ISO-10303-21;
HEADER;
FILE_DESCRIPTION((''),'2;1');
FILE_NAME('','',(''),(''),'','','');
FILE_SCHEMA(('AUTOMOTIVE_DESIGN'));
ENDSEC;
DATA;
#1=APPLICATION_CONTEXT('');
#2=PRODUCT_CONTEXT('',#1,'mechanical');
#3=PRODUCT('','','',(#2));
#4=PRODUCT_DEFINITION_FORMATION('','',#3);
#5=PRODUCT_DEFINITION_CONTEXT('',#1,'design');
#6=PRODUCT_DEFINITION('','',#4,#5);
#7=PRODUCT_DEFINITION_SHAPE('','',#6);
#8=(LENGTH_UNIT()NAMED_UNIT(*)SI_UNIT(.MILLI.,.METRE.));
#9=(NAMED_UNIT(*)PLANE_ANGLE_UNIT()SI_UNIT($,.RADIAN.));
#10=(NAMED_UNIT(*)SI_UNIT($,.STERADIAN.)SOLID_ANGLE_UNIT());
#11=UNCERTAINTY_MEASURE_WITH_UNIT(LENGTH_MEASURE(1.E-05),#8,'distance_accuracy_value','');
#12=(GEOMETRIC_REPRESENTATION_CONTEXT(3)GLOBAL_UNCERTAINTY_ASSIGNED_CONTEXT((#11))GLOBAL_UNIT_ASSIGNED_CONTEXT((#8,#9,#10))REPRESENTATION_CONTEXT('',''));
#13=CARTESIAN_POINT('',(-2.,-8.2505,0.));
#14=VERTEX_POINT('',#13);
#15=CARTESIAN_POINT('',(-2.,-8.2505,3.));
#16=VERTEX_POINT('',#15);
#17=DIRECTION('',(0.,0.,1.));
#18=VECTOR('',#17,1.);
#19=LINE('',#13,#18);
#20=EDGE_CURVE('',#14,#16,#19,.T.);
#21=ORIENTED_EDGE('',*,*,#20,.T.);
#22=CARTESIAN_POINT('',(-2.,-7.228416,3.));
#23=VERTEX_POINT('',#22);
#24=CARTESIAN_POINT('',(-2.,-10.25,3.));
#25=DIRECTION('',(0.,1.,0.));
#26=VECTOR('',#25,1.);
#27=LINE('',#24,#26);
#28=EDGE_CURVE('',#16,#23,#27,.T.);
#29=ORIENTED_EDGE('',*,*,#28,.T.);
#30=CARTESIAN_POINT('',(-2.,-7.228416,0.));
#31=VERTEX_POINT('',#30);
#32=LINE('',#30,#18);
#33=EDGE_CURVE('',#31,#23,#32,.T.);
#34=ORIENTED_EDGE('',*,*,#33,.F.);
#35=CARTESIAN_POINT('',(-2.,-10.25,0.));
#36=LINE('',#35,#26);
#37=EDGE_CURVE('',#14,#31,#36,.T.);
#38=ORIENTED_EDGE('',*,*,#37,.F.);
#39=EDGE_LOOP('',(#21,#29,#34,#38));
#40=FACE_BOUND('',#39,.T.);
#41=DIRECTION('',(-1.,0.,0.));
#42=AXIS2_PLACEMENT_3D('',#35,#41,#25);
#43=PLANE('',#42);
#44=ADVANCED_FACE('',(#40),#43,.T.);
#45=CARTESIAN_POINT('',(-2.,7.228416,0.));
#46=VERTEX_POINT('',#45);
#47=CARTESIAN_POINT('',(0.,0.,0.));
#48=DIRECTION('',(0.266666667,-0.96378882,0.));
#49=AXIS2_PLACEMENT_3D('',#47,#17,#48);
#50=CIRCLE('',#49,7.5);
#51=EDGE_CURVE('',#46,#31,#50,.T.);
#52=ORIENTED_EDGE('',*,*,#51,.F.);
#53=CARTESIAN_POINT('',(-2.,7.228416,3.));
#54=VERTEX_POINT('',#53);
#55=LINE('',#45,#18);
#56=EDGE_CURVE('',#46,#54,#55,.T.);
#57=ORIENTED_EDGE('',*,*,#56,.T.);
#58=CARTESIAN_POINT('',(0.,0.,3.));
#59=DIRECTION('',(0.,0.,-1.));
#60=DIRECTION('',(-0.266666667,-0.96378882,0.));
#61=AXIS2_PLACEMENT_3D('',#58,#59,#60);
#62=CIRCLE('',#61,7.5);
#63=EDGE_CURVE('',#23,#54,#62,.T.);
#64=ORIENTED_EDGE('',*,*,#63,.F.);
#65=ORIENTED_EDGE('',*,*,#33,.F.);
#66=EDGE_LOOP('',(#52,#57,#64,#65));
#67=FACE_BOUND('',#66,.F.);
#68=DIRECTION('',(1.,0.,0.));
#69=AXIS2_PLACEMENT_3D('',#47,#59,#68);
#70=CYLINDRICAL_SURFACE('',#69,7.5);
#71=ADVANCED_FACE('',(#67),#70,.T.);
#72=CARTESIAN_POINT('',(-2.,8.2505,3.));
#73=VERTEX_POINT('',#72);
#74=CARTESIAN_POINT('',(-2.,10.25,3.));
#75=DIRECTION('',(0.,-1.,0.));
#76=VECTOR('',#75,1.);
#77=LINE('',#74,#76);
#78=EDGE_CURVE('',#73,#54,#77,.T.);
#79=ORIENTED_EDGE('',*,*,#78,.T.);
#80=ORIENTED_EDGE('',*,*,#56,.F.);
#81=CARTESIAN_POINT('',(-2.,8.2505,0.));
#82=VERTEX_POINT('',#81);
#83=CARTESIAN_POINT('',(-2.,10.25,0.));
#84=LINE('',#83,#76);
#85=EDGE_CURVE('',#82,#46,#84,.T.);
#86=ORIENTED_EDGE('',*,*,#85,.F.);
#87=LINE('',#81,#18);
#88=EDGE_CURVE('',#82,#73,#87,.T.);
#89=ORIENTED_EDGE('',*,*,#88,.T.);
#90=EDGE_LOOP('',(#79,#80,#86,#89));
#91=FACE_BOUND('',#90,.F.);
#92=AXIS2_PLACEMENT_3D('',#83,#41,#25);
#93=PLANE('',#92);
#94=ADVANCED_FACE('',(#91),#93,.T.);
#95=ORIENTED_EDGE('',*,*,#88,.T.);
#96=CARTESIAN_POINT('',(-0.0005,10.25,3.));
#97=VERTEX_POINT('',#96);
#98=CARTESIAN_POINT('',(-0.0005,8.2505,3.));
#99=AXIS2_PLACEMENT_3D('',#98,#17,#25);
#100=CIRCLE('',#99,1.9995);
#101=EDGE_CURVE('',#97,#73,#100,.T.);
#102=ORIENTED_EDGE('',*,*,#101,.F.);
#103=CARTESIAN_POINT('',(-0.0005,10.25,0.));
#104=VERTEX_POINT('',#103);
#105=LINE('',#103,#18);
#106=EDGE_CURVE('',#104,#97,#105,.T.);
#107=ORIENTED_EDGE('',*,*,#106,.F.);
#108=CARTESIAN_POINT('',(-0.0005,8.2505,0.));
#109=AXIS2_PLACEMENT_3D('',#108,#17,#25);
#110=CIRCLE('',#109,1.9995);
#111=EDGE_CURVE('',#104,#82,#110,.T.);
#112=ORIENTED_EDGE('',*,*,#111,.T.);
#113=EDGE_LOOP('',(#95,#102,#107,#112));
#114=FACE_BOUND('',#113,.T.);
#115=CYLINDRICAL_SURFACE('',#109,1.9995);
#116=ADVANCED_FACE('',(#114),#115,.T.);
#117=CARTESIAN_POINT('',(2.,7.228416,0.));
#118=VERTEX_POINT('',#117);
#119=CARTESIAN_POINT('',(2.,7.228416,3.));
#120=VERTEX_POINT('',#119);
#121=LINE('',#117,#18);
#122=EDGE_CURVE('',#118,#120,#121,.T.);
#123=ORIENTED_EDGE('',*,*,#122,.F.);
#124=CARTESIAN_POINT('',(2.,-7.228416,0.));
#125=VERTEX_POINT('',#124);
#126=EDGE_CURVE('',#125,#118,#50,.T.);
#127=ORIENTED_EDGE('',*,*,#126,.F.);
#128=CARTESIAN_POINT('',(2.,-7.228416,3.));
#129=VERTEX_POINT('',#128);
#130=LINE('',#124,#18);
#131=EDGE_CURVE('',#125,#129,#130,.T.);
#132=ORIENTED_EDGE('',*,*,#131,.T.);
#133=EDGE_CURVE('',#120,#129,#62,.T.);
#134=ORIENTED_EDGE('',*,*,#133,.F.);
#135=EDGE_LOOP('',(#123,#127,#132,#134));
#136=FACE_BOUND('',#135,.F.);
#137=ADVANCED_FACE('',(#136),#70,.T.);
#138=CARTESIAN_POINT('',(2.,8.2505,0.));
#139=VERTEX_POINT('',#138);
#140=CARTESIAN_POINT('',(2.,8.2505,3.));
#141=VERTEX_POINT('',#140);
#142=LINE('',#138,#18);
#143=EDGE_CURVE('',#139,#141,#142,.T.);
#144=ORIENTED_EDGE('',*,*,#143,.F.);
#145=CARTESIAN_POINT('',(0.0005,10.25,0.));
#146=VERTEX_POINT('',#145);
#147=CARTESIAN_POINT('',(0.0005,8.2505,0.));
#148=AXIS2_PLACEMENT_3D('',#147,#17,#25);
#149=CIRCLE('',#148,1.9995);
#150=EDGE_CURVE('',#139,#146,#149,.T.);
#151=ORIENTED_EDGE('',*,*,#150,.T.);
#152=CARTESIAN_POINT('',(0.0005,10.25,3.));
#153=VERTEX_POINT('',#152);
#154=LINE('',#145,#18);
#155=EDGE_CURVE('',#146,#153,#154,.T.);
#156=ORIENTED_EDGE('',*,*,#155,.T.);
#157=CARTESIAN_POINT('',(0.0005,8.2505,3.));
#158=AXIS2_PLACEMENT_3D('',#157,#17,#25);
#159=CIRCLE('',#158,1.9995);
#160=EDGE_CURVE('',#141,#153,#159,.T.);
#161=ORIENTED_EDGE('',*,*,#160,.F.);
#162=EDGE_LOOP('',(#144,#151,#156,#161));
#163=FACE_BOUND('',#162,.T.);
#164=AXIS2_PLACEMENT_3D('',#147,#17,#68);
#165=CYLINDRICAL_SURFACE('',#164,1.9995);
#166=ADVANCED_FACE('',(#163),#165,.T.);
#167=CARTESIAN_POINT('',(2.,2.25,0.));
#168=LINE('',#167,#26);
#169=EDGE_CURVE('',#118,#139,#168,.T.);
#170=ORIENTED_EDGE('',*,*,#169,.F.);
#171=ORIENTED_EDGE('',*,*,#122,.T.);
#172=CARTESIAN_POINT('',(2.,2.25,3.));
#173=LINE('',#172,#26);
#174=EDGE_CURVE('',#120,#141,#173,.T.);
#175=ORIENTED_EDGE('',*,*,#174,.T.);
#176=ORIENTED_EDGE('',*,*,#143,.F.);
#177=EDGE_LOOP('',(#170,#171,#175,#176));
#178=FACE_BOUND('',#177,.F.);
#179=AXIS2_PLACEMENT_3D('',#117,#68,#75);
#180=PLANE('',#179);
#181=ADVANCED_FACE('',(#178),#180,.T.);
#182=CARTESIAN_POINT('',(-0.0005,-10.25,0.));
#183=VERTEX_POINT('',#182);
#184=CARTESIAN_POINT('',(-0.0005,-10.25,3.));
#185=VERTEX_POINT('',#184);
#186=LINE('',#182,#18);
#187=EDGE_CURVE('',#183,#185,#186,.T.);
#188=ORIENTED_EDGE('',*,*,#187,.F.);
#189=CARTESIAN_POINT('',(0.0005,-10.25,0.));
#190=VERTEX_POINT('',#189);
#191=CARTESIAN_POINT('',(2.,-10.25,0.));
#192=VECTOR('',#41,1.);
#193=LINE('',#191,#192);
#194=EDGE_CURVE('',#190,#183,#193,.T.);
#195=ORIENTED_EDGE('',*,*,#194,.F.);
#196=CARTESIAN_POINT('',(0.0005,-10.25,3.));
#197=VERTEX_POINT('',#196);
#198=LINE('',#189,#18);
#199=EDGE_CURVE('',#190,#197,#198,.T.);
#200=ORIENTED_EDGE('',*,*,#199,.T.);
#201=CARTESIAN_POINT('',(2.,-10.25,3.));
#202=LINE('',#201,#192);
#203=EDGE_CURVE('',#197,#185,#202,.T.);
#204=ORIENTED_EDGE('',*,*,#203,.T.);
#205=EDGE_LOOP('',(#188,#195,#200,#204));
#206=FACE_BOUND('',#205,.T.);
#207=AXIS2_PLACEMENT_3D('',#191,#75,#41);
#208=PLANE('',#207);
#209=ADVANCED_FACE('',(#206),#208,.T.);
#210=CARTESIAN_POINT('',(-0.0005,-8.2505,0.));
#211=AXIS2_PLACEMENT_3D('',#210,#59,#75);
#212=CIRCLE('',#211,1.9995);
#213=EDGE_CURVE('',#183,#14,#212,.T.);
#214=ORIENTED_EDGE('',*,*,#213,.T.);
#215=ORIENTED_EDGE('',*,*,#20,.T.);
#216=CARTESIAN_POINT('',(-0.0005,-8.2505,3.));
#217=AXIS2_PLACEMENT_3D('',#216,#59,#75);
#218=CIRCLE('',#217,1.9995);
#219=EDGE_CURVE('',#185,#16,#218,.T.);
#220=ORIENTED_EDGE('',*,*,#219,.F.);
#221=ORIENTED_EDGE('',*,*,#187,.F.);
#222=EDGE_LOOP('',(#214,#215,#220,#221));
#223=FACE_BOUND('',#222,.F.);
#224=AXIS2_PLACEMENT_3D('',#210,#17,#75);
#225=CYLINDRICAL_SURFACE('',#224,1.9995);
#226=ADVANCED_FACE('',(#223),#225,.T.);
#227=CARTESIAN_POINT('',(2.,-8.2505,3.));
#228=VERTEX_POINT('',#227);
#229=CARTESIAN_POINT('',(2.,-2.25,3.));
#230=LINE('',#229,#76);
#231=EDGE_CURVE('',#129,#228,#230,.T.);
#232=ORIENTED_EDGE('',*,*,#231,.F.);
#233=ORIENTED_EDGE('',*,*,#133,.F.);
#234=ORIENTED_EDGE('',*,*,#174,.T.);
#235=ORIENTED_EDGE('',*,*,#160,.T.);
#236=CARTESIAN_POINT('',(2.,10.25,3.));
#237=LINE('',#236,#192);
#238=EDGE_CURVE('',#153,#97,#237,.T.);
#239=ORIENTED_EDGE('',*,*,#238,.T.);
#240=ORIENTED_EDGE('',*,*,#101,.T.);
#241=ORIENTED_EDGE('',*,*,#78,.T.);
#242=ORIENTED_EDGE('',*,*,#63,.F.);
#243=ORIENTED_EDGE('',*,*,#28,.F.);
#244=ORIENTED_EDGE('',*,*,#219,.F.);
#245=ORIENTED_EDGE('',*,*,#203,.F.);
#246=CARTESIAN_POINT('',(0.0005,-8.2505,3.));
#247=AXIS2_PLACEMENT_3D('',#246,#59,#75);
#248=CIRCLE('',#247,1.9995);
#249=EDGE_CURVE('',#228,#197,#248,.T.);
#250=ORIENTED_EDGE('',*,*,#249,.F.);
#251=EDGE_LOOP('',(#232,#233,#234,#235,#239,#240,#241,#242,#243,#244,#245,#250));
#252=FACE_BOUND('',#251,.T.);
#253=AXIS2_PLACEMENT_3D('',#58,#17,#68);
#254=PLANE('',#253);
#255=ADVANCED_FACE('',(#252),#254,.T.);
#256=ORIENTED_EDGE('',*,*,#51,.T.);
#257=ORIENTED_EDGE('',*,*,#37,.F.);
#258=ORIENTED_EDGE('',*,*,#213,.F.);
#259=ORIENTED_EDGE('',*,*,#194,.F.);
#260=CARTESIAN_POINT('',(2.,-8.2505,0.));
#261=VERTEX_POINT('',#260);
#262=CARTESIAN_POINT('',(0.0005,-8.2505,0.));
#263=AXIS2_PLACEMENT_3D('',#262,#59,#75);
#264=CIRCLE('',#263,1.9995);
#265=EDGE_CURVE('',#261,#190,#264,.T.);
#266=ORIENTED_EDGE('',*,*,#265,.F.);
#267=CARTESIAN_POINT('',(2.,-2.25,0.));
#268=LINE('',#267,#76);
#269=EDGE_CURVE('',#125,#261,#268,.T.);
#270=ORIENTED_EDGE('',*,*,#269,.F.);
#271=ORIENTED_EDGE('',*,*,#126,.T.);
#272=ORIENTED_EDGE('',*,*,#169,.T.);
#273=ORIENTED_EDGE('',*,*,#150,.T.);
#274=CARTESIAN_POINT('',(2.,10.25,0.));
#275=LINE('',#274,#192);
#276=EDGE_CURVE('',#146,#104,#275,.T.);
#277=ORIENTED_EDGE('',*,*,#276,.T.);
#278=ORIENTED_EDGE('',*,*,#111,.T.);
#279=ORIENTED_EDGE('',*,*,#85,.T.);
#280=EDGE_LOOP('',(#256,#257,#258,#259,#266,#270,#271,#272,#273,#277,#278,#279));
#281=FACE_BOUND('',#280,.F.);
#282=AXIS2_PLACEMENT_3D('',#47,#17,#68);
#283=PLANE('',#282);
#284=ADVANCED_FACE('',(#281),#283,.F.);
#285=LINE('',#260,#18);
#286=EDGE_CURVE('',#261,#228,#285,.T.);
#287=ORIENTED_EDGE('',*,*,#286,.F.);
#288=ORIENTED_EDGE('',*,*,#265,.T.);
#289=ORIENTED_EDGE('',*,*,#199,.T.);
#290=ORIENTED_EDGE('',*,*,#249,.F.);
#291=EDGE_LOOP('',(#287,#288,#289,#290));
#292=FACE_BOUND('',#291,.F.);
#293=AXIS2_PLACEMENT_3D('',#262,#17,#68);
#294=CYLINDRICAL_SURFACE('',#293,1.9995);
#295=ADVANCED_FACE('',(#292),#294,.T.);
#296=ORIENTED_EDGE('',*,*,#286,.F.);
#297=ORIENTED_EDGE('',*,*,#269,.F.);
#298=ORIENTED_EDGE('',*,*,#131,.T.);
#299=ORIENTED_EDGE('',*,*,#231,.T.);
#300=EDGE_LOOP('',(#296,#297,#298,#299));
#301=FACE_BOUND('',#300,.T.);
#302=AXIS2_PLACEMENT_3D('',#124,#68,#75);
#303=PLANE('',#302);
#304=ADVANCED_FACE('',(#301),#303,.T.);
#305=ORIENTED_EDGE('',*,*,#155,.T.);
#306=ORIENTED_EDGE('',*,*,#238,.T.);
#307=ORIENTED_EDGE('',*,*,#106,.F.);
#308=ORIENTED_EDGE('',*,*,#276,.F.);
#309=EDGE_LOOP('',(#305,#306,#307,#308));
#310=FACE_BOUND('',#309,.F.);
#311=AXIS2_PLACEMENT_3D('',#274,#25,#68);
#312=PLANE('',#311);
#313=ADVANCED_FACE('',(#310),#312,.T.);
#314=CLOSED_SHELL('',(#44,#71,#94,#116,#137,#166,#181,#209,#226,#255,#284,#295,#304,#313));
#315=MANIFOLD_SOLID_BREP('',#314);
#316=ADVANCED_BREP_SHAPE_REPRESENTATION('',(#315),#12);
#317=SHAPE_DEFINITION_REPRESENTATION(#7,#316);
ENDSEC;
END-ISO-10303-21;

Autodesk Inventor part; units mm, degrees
ref_plane "YZ Plane" through (0, 0, 0) normal (1, 0, 0) x (0, 1, 0)
ref_plane "XZ Plane" through (0, 0, 0) normal (0, 1, 0) x (-1, 0, 0)
ref_plane "XY Plane" through (0, 0, 0) normal (0, 0, 1) x (1, 0, 0)
sketch "Sketch1" plane through (0, 0, 0) normal (0, 0, 1) x (1, 0, 0)
  circle A0 centre (0, 0) radius 7.5
  line L0 (2, -2.25) -> (2, -10.25)
  line L1 (2, -10.25) -> (-2, -10.25)
  line L2 (-2, -10.25) -> (-2, -2.25)
  point P0 (0, 0)
  point P1 (0, 0)
  point P2 (-2, -7.2284)
  point P3 (2, -7.2284)
extrude "Extrusion1" add sketch "Sketch1" along normal blind 3
fillet "Fillet1" radius 2 2 edges at (2, -10.25, 1.5) (-2, -10.25, 1.5)
mirror "Mirror1" about plane through (0, 0, 0) normal (0, 1, 0)
properties part number "try"
